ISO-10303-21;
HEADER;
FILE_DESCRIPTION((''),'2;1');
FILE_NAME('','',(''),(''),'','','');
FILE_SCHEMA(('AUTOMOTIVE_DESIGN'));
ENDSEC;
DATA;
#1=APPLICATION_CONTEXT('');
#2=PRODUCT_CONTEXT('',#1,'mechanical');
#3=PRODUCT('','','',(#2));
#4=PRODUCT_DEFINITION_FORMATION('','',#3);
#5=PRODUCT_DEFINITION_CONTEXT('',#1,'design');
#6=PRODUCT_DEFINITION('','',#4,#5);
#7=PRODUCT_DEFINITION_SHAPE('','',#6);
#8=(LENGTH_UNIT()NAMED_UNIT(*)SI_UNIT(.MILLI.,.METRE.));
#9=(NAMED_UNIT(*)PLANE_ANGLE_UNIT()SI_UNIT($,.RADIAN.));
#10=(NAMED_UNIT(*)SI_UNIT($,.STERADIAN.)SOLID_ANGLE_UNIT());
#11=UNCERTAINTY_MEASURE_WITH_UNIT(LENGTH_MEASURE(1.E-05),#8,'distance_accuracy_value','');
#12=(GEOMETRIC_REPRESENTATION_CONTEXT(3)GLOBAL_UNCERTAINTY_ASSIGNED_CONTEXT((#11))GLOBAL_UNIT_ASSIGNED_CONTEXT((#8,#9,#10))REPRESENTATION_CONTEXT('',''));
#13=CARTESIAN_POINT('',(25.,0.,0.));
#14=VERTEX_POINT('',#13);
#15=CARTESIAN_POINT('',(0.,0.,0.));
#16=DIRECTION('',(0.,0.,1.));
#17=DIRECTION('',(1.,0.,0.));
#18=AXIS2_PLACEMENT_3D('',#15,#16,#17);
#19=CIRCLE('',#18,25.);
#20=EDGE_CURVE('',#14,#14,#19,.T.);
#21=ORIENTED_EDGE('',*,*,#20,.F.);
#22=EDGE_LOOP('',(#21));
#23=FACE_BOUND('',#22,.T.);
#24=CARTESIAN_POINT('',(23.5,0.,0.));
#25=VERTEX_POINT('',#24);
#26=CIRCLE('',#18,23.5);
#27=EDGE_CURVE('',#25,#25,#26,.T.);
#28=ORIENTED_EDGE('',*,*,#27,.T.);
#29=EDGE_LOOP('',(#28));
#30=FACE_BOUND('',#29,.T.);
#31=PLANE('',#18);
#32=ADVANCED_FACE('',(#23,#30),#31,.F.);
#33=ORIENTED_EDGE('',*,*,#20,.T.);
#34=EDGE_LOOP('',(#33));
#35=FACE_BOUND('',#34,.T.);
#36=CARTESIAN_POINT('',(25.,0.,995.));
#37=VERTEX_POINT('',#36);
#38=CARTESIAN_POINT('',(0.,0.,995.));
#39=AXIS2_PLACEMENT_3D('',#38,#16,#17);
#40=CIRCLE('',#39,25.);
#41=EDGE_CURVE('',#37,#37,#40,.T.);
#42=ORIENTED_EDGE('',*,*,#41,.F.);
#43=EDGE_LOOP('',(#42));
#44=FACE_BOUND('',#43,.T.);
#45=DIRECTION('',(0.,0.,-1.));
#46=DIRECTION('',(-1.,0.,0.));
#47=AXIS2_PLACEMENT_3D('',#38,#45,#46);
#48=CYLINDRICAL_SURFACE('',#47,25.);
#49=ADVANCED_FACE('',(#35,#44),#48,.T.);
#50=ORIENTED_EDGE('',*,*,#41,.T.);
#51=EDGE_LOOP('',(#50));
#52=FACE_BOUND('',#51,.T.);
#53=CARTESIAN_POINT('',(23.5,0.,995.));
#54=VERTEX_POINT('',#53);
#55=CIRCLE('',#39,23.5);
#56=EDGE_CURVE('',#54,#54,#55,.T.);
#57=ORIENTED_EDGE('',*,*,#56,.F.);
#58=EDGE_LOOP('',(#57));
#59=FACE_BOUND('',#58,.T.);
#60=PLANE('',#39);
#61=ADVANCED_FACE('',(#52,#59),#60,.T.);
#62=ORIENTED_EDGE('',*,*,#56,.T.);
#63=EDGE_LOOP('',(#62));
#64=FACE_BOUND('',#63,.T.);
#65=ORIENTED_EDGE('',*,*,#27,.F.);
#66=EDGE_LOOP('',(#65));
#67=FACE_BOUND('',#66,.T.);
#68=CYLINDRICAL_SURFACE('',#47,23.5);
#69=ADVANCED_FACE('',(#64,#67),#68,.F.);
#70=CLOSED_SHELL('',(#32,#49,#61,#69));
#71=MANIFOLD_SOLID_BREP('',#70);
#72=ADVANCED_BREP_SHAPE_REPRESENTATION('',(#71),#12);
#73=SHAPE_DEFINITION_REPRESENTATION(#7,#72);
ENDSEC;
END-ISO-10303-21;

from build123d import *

# Parameters (mm, degrees)
SKETCH2_R           = 25
SKETCH2_R_2         = 23.5
BOSS_EXTRUDE1_DEPTH = 995


with BuildPart() as part:
    # Sketch2 → Boss-Extrude1 (new body)
    with BuildSketch(Plane.XY):
        Circle(SKETCH2_R)
        Circle(SKETCH2_R_2, mode=Mode.SUBTRACT)
    extrude(amount=BOSS_EXTRUDE1_DEPTH)


solid = part.part
